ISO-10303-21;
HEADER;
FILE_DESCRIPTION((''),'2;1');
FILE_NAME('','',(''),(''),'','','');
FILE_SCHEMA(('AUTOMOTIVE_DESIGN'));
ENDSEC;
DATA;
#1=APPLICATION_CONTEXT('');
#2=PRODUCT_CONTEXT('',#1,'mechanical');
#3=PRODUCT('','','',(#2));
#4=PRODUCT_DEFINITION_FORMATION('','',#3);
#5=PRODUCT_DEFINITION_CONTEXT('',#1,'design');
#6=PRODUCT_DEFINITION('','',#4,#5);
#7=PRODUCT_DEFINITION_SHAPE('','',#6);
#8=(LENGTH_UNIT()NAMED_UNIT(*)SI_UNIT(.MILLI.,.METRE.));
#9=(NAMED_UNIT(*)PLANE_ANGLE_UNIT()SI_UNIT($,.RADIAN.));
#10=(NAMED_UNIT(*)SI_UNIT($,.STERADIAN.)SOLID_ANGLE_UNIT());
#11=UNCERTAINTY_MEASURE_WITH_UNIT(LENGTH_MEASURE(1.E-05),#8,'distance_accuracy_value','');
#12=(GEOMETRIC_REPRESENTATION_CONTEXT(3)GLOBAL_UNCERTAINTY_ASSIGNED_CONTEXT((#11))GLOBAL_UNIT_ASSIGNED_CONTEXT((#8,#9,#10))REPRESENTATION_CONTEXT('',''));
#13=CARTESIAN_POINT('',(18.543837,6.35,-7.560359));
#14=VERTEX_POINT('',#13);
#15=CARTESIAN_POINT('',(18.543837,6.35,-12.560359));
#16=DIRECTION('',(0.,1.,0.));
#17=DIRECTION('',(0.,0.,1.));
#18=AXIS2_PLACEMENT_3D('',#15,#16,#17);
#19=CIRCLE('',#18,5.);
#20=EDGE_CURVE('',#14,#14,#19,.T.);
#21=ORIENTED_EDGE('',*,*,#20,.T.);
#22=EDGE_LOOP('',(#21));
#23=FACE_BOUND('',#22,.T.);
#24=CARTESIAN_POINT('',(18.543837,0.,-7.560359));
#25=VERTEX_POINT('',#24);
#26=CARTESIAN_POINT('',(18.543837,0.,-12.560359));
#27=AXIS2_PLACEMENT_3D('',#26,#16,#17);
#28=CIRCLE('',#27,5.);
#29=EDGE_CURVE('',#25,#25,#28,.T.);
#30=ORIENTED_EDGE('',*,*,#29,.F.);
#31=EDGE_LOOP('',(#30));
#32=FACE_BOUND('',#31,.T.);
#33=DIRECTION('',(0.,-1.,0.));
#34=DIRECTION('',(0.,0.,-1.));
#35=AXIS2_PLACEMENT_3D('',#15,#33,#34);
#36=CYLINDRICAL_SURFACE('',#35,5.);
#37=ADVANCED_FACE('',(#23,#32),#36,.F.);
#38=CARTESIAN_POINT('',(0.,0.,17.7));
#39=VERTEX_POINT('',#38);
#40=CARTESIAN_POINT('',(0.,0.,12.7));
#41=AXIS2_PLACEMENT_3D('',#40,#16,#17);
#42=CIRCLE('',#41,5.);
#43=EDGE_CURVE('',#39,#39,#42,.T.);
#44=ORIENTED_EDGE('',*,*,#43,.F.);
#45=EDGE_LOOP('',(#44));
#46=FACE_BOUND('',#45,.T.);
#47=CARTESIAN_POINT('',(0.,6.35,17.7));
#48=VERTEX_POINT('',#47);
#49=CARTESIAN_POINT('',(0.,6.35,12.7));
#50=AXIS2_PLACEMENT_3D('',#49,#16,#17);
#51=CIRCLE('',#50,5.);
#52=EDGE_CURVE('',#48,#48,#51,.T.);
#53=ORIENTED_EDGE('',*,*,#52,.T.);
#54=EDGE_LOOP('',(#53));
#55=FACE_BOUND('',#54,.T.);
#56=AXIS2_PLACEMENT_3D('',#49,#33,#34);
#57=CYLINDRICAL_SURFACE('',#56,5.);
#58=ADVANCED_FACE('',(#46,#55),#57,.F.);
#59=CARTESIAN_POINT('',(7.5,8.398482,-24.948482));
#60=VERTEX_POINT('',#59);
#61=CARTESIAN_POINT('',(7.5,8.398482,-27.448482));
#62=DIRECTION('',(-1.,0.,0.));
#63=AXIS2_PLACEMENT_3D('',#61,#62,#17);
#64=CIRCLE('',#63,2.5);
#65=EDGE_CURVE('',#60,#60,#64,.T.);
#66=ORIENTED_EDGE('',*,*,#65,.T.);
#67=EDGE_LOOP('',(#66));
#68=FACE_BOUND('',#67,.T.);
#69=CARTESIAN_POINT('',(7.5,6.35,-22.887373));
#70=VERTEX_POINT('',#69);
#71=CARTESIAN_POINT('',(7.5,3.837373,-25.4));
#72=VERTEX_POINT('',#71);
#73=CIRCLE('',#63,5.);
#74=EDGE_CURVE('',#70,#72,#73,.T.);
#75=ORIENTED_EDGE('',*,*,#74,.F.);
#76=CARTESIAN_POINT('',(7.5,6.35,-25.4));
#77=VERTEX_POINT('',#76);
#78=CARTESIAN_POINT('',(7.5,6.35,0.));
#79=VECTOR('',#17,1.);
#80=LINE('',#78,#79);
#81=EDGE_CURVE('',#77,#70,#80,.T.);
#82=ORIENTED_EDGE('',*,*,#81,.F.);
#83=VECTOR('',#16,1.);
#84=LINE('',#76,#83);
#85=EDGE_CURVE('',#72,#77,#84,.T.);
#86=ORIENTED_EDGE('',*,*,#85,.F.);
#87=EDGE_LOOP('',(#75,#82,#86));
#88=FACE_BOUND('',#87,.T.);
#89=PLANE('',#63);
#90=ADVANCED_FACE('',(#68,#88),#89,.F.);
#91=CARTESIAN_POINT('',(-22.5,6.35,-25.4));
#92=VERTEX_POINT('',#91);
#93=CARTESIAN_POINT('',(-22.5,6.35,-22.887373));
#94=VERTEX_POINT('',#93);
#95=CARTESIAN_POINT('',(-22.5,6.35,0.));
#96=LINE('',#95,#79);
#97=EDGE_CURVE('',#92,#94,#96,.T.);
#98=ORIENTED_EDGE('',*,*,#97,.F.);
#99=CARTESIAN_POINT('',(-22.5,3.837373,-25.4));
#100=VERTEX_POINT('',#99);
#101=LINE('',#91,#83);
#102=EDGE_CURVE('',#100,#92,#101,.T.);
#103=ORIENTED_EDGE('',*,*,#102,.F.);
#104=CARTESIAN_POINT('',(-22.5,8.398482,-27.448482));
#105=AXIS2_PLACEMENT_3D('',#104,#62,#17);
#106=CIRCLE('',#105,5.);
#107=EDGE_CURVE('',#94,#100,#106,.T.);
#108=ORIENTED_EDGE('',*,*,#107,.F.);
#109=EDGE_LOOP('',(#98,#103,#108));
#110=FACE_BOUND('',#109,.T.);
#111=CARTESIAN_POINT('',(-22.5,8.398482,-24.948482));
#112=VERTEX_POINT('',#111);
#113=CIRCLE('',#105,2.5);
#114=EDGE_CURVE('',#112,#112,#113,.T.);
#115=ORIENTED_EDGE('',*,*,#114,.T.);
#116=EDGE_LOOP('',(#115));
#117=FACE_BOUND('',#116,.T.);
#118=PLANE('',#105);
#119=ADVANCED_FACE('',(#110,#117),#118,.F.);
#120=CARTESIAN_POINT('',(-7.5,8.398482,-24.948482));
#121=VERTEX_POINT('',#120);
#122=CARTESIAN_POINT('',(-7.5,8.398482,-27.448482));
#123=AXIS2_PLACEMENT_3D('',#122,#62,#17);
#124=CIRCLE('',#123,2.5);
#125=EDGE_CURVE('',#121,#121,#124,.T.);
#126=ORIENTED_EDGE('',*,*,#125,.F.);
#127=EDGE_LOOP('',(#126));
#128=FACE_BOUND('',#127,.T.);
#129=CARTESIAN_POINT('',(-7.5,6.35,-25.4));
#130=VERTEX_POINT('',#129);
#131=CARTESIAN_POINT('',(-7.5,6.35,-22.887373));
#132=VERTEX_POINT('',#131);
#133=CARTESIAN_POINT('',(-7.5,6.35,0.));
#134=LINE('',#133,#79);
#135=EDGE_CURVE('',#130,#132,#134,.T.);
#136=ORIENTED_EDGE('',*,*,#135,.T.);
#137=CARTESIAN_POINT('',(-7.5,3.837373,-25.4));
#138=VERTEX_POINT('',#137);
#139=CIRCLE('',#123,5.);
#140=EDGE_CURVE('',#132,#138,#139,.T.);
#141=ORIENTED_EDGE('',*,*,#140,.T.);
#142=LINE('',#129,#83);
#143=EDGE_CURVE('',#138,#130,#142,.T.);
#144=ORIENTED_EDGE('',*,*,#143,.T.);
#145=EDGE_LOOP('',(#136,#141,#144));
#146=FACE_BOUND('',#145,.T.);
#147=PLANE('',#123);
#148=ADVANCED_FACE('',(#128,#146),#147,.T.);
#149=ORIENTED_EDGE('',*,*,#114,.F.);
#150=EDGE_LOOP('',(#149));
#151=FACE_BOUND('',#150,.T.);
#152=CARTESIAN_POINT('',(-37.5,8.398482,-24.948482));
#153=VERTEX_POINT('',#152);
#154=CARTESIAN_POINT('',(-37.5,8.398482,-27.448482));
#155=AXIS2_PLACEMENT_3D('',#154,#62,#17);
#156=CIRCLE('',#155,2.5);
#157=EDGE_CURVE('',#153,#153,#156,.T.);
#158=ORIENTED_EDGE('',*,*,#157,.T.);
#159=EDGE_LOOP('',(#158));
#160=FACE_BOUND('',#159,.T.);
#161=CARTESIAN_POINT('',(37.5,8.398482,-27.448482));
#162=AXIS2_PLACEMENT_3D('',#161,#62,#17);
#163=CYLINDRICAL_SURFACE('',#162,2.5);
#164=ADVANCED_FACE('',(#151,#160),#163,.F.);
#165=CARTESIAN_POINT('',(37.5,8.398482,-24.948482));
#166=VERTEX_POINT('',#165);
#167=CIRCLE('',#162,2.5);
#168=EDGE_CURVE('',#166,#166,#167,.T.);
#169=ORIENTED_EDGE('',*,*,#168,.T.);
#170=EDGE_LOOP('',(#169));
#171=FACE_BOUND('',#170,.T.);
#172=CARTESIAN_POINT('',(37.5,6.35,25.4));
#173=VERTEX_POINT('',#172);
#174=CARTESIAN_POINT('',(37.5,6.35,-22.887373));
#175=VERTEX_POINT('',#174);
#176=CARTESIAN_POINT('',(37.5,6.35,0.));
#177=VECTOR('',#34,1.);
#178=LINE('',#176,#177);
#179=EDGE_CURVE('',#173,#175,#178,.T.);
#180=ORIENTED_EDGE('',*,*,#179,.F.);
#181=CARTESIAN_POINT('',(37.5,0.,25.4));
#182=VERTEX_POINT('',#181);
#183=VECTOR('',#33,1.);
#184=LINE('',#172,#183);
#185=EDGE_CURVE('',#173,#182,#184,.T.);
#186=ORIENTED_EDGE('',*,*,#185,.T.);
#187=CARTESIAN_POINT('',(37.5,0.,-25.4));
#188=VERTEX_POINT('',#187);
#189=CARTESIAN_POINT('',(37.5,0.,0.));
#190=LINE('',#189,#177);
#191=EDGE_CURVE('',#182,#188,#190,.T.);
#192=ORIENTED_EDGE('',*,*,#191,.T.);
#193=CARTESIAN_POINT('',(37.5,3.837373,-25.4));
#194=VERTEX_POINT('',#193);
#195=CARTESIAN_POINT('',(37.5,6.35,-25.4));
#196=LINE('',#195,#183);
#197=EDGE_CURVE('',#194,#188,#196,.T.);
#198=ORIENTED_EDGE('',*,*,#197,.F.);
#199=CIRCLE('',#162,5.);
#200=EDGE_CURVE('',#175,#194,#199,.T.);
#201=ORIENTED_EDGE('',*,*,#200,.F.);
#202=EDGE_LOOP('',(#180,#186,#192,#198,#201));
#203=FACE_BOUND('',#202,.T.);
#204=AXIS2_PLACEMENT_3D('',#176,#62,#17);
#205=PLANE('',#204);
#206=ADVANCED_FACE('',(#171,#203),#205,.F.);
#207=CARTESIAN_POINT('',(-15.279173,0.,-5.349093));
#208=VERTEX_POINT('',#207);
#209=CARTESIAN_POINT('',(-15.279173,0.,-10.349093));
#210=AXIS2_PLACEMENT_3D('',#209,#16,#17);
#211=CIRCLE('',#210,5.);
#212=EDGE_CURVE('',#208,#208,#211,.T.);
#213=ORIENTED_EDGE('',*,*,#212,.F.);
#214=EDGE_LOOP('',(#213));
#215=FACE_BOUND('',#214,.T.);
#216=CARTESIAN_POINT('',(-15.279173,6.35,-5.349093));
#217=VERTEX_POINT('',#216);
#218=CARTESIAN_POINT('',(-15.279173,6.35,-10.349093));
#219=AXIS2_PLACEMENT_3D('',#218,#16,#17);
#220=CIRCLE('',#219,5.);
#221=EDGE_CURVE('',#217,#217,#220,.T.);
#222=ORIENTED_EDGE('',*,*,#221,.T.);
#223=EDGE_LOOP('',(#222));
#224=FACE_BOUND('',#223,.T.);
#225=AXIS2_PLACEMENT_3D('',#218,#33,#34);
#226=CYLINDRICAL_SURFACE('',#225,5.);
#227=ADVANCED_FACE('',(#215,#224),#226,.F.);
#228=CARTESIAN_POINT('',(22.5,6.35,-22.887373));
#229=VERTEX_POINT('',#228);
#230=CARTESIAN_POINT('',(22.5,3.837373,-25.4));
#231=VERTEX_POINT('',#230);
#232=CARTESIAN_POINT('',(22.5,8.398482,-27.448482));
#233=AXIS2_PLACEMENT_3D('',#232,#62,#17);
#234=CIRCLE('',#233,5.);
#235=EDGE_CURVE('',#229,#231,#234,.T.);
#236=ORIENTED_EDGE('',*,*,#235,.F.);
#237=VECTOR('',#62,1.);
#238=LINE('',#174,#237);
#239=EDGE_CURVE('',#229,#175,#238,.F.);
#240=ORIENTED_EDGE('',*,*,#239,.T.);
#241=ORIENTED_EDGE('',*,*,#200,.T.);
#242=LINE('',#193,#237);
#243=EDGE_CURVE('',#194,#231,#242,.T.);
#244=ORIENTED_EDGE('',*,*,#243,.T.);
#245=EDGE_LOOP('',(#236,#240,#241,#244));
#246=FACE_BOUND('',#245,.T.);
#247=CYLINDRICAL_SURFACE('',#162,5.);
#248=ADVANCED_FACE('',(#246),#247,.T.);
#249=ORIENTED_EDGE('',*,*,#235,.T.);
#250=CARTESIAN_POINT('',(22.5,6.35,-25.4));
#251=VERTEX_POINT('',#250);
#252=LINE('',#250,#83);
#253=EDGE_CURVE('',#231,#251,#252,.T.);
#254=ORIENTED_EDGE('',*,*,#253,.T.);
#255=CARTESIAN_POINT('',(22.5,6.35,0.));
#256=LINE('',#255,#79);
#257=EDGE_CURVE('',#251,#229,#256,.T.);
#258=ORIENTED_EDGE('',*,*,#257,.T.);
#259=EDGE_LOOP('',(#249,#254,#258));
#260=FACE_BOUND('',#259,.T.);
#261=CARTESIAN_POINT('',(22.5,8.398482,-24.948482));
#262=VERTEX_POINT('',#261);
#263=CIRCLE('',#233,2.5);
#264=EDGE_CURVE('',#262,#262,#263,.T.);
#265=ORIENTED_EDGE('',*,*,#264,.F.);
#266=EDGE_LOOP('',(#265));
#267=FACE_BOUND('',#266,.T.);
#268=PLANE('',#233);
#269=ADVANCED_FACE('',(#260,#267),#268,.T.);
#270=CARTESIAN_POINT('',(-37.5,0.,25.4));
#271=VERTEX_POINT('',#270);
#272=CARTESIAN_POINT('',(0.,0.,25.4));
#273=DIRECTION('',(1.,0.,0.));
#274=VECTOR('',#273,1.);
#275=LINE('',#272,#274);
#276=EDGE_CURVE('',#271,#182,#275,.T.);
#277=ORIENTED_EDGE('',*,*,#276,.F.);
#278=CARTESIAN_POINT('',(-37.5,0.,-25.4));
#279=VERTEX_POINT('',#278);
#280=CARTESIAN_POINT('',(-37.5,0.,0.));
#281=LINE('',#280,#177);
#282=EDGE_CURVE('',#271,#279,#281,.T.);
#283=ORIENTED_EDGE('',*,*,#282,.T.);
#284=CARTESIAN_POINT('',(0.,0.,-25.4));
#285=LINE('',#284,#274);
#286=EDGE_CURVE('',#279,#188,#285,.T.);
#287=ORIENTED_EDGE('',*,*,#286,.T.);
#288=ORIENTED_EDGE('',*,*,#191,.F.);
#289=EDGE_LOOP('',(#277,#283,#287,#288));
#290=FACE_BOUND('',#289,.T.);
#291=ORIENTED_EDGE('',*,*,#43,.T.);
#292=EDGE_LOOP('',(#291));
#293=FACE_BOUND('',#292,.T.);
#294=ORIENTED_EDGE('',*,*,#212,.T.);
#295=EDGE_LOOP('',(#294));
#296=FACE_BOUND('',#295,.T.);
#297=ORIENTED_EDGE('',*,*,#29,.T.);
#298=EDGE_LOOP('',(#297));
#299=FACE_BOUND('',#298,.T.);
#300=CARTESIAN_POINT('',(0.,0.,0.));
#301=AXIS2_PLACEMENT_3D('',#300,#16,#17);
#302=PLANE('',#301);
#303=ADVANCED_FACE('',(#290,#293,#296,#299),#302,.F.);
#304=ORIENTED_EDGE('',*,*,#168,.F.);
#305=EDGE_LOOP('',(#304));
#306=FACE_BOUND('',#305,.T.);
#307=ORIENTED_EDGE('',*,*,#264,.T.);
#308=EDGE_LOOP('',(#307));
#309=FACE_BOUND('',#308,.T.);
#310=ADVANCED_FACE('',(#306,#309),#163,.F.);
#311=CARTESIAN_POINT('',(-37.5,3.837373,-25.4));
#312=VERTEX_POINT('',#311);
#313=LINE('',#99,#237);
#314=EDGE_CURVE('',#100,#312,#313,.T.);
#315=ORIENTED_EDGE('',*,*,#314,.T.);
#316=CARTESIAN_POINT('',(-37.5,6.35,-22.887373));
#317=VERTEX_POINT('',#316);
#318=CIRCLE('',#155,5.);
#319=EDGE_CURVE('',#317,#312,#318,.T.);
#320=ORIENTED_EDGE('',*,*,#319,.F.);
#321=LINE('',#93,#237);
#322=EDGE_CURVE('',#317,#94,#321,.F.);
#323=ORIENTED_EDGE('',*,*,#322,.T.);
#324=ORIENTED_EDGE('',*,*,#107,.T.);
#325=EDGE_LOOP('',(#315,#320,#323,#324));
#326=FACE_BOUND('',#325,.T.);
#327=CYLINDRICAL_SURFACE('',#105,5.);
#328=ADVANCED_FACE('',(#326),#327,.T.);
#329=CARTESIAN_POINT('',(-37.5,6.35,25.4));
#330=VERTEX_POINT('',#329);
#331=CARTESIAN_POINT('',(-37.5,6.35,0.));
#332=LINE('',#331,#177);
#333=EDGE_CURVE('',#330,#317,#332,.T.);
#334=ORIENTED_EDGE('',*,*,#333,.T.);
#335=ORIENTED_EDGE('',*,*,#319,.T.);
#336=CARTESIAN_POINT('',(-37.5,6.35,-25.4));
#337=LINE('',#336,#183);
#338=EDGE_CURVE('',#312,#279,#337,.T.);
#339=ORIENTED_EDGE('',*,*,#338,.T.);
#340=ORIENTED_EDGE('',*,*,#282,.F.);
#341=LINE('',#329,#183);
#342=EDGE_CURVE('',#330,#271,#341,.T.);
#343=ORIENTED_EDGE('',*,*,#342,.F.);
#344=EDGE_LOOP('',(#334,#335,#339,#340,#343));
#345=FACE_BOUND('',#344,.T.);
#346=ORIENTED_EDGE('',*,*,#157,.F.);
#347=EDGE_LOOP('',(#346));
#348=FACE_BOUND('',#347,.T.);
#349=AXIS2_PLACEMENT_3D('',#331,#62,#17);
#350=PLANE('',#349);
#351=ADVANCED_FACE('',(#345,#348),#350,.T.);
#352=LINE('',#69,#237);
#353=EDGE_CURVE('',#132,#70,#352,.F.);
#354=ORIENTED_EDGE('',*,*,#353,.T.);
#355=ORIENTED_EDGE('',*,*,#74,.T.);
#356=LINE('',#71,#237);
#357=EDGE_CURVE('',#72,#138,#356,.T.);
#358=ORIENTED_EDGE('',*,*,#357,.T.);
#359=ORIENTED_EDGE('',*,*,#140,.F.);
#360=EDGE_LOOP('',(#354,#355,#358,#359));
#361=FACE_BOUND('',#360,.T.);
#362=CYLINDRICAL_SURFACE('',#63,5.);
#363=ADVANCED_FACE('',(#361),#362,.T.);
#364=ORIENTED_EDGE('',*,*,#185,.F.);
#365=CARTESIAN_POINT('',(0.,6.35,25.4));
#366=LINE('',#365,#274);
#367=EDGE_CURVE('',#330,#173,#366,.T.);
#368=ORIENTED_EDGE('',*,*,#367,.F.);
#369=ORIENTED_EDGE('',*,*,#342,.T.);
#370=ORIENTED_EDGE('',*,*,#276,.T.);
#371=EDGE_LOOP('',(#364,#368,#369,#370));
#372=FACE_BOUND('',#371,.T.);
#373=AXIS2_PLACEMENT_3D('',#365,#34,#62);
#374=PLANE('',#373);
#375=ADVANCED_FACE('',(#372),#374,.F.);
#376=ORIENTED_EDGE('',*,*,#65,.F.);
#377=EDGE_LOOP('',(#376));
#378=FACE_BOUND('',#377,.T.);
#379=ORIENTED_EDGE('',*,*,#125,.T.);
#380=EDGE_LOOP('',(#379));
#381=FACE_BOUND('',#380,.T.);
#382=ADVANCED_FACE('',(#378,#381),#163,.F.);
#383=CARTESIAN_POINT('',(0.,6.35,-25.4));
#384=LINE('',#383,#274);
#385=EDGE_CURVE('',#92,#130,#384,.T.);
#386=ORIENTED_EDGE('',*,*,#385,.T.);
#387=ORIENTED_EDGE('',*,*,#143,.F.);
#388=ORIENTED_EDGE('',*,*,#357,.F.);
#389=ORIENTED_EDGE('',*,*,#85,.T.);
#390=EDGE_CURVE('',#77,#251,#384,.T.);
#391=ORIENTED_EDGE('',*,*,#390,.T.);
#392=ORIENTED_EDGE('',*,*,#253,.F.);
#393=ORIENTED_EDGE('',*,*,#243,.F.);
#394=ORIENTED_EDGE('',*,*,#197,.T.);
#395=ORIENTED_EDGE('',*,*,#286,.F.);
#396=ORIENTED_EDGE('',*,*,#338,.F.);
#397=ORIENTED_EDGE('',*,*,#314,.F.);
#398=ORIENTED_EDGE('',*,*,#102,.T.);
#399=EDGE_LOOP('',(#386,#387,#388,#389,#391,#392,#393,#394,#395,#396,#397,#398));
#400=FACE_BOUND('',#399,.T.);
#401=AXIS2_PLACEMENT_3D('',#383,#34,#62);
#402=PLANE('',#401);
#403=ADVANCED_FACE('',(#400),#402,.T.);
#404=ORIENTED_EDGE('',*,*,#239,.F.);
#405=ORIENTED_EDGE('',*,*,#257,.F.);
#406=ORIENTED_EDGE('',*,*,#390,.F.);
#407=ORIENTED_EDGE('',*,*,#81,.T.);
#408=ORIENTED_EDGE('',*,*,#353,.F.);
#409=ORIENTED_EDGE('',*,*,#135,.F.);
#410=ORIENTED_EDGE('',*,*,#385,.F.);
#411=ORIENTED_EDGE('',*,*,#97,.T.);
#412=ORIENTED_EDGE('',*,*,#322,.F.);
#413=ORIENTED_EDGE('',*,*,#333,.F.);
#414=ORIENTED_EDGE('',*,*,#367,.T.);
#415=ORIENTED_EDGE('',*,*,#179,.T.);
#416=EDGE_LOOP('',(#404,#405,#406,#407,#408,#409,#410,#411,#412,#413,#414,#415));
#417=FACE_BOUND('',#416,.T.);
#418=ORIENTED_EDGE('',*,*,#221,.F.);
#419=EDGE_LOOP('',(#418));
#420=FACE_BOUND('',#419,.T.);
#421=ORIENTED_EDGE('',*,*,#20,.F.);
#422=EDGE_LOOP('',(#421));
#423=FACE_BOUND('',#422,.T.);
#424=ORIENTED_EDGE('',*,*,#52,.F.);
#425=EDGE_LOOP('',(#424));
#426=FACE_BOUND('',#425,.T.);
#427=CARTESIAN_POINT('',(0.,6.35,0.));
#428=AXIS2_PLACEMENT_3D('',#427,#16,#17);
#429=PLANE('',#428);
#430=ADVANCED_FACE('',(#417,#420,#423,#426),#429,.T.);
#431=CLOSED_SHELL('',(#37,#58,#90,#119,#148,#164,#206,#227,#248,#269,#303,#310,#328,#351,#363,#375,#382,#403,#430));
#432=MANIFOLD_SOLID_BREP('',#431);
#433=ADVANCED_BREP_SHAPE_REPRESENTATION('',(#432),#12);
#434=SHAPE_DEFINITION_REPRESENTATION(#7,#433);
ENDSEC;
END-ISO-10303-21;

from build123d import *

# Parameters (mm, degrees)
SKETCH1_W           = 75
SKETCH1_H           = 50.8
SKETCH1_R           = 5
BOSS_EXTRUDE1_DEPTH = 6.35
SKETCH2_R           = 5
BOSS_EXTRUDE2_DEPTH = 15
LPATTERN1_COUNT     = 3
LPATTERN1_PITCH     = 30
SKETCH2_4_R         = 2.5
CUT_EXTRUDE2_DEPTH  = 83.80956065


with BuildPart() as part:
    # Sketch1 → Boss-Extrude1 (new body)
    with BuildSketch(Plane(origin=(0, 0, 0), x_dir=(1, 0, 0), z_dir=(0, 1, 0))):
        Rectangle(SKETCH1_W, SKETCH1_H)
        with Locations((0, -12.7)):
            Circle(SKETCH1_R, mode=Mode.SUBTRACT)
        with Locations((-15.279173033, 10.349093201)):
            Circle(SKETCH1_R, mode=Mode.SUBTRACT)
        with Locations((18.543836974, 12.56035891)):
            Circle(SKETCH1_R, mode=Mode.SUBTRACT)
    extrude(amount=BOSS_EXTRUDE1_DEPTH)

    # Sketch2 → Boss-Extrude2 (add)
    with BuildSketch(Plane.ZY.offset(37.5)):
        with Locations((-27.448482339, 8.398482339)):
            Circle(SKETCH2_R)
    boss_extrude2 = extrude(amount=-BOSS_EXTRUDE2_DEPTH)

    # LPattern1: Boss-Extrude2 ×3
    with Locations(*[(i * LPATTERN1_PITCH, 0, 0) for i in range(1, LPATTERN1_COUNT)]):
        add(boss_extrude2)

    # Sketch2<4> → Cut-Extrude2 (cut, through all)
    with BuildSketch(Plane.ZY.offset(37.5)):
        with Locations((-27.448482339, 8.398482339)):
            Circle(SKETCH2_4_R)
    extrude(amount=-CUT_EXTRUDE2_DEPTH, mode=Mode.SUBTRACT)


solid = part.part
